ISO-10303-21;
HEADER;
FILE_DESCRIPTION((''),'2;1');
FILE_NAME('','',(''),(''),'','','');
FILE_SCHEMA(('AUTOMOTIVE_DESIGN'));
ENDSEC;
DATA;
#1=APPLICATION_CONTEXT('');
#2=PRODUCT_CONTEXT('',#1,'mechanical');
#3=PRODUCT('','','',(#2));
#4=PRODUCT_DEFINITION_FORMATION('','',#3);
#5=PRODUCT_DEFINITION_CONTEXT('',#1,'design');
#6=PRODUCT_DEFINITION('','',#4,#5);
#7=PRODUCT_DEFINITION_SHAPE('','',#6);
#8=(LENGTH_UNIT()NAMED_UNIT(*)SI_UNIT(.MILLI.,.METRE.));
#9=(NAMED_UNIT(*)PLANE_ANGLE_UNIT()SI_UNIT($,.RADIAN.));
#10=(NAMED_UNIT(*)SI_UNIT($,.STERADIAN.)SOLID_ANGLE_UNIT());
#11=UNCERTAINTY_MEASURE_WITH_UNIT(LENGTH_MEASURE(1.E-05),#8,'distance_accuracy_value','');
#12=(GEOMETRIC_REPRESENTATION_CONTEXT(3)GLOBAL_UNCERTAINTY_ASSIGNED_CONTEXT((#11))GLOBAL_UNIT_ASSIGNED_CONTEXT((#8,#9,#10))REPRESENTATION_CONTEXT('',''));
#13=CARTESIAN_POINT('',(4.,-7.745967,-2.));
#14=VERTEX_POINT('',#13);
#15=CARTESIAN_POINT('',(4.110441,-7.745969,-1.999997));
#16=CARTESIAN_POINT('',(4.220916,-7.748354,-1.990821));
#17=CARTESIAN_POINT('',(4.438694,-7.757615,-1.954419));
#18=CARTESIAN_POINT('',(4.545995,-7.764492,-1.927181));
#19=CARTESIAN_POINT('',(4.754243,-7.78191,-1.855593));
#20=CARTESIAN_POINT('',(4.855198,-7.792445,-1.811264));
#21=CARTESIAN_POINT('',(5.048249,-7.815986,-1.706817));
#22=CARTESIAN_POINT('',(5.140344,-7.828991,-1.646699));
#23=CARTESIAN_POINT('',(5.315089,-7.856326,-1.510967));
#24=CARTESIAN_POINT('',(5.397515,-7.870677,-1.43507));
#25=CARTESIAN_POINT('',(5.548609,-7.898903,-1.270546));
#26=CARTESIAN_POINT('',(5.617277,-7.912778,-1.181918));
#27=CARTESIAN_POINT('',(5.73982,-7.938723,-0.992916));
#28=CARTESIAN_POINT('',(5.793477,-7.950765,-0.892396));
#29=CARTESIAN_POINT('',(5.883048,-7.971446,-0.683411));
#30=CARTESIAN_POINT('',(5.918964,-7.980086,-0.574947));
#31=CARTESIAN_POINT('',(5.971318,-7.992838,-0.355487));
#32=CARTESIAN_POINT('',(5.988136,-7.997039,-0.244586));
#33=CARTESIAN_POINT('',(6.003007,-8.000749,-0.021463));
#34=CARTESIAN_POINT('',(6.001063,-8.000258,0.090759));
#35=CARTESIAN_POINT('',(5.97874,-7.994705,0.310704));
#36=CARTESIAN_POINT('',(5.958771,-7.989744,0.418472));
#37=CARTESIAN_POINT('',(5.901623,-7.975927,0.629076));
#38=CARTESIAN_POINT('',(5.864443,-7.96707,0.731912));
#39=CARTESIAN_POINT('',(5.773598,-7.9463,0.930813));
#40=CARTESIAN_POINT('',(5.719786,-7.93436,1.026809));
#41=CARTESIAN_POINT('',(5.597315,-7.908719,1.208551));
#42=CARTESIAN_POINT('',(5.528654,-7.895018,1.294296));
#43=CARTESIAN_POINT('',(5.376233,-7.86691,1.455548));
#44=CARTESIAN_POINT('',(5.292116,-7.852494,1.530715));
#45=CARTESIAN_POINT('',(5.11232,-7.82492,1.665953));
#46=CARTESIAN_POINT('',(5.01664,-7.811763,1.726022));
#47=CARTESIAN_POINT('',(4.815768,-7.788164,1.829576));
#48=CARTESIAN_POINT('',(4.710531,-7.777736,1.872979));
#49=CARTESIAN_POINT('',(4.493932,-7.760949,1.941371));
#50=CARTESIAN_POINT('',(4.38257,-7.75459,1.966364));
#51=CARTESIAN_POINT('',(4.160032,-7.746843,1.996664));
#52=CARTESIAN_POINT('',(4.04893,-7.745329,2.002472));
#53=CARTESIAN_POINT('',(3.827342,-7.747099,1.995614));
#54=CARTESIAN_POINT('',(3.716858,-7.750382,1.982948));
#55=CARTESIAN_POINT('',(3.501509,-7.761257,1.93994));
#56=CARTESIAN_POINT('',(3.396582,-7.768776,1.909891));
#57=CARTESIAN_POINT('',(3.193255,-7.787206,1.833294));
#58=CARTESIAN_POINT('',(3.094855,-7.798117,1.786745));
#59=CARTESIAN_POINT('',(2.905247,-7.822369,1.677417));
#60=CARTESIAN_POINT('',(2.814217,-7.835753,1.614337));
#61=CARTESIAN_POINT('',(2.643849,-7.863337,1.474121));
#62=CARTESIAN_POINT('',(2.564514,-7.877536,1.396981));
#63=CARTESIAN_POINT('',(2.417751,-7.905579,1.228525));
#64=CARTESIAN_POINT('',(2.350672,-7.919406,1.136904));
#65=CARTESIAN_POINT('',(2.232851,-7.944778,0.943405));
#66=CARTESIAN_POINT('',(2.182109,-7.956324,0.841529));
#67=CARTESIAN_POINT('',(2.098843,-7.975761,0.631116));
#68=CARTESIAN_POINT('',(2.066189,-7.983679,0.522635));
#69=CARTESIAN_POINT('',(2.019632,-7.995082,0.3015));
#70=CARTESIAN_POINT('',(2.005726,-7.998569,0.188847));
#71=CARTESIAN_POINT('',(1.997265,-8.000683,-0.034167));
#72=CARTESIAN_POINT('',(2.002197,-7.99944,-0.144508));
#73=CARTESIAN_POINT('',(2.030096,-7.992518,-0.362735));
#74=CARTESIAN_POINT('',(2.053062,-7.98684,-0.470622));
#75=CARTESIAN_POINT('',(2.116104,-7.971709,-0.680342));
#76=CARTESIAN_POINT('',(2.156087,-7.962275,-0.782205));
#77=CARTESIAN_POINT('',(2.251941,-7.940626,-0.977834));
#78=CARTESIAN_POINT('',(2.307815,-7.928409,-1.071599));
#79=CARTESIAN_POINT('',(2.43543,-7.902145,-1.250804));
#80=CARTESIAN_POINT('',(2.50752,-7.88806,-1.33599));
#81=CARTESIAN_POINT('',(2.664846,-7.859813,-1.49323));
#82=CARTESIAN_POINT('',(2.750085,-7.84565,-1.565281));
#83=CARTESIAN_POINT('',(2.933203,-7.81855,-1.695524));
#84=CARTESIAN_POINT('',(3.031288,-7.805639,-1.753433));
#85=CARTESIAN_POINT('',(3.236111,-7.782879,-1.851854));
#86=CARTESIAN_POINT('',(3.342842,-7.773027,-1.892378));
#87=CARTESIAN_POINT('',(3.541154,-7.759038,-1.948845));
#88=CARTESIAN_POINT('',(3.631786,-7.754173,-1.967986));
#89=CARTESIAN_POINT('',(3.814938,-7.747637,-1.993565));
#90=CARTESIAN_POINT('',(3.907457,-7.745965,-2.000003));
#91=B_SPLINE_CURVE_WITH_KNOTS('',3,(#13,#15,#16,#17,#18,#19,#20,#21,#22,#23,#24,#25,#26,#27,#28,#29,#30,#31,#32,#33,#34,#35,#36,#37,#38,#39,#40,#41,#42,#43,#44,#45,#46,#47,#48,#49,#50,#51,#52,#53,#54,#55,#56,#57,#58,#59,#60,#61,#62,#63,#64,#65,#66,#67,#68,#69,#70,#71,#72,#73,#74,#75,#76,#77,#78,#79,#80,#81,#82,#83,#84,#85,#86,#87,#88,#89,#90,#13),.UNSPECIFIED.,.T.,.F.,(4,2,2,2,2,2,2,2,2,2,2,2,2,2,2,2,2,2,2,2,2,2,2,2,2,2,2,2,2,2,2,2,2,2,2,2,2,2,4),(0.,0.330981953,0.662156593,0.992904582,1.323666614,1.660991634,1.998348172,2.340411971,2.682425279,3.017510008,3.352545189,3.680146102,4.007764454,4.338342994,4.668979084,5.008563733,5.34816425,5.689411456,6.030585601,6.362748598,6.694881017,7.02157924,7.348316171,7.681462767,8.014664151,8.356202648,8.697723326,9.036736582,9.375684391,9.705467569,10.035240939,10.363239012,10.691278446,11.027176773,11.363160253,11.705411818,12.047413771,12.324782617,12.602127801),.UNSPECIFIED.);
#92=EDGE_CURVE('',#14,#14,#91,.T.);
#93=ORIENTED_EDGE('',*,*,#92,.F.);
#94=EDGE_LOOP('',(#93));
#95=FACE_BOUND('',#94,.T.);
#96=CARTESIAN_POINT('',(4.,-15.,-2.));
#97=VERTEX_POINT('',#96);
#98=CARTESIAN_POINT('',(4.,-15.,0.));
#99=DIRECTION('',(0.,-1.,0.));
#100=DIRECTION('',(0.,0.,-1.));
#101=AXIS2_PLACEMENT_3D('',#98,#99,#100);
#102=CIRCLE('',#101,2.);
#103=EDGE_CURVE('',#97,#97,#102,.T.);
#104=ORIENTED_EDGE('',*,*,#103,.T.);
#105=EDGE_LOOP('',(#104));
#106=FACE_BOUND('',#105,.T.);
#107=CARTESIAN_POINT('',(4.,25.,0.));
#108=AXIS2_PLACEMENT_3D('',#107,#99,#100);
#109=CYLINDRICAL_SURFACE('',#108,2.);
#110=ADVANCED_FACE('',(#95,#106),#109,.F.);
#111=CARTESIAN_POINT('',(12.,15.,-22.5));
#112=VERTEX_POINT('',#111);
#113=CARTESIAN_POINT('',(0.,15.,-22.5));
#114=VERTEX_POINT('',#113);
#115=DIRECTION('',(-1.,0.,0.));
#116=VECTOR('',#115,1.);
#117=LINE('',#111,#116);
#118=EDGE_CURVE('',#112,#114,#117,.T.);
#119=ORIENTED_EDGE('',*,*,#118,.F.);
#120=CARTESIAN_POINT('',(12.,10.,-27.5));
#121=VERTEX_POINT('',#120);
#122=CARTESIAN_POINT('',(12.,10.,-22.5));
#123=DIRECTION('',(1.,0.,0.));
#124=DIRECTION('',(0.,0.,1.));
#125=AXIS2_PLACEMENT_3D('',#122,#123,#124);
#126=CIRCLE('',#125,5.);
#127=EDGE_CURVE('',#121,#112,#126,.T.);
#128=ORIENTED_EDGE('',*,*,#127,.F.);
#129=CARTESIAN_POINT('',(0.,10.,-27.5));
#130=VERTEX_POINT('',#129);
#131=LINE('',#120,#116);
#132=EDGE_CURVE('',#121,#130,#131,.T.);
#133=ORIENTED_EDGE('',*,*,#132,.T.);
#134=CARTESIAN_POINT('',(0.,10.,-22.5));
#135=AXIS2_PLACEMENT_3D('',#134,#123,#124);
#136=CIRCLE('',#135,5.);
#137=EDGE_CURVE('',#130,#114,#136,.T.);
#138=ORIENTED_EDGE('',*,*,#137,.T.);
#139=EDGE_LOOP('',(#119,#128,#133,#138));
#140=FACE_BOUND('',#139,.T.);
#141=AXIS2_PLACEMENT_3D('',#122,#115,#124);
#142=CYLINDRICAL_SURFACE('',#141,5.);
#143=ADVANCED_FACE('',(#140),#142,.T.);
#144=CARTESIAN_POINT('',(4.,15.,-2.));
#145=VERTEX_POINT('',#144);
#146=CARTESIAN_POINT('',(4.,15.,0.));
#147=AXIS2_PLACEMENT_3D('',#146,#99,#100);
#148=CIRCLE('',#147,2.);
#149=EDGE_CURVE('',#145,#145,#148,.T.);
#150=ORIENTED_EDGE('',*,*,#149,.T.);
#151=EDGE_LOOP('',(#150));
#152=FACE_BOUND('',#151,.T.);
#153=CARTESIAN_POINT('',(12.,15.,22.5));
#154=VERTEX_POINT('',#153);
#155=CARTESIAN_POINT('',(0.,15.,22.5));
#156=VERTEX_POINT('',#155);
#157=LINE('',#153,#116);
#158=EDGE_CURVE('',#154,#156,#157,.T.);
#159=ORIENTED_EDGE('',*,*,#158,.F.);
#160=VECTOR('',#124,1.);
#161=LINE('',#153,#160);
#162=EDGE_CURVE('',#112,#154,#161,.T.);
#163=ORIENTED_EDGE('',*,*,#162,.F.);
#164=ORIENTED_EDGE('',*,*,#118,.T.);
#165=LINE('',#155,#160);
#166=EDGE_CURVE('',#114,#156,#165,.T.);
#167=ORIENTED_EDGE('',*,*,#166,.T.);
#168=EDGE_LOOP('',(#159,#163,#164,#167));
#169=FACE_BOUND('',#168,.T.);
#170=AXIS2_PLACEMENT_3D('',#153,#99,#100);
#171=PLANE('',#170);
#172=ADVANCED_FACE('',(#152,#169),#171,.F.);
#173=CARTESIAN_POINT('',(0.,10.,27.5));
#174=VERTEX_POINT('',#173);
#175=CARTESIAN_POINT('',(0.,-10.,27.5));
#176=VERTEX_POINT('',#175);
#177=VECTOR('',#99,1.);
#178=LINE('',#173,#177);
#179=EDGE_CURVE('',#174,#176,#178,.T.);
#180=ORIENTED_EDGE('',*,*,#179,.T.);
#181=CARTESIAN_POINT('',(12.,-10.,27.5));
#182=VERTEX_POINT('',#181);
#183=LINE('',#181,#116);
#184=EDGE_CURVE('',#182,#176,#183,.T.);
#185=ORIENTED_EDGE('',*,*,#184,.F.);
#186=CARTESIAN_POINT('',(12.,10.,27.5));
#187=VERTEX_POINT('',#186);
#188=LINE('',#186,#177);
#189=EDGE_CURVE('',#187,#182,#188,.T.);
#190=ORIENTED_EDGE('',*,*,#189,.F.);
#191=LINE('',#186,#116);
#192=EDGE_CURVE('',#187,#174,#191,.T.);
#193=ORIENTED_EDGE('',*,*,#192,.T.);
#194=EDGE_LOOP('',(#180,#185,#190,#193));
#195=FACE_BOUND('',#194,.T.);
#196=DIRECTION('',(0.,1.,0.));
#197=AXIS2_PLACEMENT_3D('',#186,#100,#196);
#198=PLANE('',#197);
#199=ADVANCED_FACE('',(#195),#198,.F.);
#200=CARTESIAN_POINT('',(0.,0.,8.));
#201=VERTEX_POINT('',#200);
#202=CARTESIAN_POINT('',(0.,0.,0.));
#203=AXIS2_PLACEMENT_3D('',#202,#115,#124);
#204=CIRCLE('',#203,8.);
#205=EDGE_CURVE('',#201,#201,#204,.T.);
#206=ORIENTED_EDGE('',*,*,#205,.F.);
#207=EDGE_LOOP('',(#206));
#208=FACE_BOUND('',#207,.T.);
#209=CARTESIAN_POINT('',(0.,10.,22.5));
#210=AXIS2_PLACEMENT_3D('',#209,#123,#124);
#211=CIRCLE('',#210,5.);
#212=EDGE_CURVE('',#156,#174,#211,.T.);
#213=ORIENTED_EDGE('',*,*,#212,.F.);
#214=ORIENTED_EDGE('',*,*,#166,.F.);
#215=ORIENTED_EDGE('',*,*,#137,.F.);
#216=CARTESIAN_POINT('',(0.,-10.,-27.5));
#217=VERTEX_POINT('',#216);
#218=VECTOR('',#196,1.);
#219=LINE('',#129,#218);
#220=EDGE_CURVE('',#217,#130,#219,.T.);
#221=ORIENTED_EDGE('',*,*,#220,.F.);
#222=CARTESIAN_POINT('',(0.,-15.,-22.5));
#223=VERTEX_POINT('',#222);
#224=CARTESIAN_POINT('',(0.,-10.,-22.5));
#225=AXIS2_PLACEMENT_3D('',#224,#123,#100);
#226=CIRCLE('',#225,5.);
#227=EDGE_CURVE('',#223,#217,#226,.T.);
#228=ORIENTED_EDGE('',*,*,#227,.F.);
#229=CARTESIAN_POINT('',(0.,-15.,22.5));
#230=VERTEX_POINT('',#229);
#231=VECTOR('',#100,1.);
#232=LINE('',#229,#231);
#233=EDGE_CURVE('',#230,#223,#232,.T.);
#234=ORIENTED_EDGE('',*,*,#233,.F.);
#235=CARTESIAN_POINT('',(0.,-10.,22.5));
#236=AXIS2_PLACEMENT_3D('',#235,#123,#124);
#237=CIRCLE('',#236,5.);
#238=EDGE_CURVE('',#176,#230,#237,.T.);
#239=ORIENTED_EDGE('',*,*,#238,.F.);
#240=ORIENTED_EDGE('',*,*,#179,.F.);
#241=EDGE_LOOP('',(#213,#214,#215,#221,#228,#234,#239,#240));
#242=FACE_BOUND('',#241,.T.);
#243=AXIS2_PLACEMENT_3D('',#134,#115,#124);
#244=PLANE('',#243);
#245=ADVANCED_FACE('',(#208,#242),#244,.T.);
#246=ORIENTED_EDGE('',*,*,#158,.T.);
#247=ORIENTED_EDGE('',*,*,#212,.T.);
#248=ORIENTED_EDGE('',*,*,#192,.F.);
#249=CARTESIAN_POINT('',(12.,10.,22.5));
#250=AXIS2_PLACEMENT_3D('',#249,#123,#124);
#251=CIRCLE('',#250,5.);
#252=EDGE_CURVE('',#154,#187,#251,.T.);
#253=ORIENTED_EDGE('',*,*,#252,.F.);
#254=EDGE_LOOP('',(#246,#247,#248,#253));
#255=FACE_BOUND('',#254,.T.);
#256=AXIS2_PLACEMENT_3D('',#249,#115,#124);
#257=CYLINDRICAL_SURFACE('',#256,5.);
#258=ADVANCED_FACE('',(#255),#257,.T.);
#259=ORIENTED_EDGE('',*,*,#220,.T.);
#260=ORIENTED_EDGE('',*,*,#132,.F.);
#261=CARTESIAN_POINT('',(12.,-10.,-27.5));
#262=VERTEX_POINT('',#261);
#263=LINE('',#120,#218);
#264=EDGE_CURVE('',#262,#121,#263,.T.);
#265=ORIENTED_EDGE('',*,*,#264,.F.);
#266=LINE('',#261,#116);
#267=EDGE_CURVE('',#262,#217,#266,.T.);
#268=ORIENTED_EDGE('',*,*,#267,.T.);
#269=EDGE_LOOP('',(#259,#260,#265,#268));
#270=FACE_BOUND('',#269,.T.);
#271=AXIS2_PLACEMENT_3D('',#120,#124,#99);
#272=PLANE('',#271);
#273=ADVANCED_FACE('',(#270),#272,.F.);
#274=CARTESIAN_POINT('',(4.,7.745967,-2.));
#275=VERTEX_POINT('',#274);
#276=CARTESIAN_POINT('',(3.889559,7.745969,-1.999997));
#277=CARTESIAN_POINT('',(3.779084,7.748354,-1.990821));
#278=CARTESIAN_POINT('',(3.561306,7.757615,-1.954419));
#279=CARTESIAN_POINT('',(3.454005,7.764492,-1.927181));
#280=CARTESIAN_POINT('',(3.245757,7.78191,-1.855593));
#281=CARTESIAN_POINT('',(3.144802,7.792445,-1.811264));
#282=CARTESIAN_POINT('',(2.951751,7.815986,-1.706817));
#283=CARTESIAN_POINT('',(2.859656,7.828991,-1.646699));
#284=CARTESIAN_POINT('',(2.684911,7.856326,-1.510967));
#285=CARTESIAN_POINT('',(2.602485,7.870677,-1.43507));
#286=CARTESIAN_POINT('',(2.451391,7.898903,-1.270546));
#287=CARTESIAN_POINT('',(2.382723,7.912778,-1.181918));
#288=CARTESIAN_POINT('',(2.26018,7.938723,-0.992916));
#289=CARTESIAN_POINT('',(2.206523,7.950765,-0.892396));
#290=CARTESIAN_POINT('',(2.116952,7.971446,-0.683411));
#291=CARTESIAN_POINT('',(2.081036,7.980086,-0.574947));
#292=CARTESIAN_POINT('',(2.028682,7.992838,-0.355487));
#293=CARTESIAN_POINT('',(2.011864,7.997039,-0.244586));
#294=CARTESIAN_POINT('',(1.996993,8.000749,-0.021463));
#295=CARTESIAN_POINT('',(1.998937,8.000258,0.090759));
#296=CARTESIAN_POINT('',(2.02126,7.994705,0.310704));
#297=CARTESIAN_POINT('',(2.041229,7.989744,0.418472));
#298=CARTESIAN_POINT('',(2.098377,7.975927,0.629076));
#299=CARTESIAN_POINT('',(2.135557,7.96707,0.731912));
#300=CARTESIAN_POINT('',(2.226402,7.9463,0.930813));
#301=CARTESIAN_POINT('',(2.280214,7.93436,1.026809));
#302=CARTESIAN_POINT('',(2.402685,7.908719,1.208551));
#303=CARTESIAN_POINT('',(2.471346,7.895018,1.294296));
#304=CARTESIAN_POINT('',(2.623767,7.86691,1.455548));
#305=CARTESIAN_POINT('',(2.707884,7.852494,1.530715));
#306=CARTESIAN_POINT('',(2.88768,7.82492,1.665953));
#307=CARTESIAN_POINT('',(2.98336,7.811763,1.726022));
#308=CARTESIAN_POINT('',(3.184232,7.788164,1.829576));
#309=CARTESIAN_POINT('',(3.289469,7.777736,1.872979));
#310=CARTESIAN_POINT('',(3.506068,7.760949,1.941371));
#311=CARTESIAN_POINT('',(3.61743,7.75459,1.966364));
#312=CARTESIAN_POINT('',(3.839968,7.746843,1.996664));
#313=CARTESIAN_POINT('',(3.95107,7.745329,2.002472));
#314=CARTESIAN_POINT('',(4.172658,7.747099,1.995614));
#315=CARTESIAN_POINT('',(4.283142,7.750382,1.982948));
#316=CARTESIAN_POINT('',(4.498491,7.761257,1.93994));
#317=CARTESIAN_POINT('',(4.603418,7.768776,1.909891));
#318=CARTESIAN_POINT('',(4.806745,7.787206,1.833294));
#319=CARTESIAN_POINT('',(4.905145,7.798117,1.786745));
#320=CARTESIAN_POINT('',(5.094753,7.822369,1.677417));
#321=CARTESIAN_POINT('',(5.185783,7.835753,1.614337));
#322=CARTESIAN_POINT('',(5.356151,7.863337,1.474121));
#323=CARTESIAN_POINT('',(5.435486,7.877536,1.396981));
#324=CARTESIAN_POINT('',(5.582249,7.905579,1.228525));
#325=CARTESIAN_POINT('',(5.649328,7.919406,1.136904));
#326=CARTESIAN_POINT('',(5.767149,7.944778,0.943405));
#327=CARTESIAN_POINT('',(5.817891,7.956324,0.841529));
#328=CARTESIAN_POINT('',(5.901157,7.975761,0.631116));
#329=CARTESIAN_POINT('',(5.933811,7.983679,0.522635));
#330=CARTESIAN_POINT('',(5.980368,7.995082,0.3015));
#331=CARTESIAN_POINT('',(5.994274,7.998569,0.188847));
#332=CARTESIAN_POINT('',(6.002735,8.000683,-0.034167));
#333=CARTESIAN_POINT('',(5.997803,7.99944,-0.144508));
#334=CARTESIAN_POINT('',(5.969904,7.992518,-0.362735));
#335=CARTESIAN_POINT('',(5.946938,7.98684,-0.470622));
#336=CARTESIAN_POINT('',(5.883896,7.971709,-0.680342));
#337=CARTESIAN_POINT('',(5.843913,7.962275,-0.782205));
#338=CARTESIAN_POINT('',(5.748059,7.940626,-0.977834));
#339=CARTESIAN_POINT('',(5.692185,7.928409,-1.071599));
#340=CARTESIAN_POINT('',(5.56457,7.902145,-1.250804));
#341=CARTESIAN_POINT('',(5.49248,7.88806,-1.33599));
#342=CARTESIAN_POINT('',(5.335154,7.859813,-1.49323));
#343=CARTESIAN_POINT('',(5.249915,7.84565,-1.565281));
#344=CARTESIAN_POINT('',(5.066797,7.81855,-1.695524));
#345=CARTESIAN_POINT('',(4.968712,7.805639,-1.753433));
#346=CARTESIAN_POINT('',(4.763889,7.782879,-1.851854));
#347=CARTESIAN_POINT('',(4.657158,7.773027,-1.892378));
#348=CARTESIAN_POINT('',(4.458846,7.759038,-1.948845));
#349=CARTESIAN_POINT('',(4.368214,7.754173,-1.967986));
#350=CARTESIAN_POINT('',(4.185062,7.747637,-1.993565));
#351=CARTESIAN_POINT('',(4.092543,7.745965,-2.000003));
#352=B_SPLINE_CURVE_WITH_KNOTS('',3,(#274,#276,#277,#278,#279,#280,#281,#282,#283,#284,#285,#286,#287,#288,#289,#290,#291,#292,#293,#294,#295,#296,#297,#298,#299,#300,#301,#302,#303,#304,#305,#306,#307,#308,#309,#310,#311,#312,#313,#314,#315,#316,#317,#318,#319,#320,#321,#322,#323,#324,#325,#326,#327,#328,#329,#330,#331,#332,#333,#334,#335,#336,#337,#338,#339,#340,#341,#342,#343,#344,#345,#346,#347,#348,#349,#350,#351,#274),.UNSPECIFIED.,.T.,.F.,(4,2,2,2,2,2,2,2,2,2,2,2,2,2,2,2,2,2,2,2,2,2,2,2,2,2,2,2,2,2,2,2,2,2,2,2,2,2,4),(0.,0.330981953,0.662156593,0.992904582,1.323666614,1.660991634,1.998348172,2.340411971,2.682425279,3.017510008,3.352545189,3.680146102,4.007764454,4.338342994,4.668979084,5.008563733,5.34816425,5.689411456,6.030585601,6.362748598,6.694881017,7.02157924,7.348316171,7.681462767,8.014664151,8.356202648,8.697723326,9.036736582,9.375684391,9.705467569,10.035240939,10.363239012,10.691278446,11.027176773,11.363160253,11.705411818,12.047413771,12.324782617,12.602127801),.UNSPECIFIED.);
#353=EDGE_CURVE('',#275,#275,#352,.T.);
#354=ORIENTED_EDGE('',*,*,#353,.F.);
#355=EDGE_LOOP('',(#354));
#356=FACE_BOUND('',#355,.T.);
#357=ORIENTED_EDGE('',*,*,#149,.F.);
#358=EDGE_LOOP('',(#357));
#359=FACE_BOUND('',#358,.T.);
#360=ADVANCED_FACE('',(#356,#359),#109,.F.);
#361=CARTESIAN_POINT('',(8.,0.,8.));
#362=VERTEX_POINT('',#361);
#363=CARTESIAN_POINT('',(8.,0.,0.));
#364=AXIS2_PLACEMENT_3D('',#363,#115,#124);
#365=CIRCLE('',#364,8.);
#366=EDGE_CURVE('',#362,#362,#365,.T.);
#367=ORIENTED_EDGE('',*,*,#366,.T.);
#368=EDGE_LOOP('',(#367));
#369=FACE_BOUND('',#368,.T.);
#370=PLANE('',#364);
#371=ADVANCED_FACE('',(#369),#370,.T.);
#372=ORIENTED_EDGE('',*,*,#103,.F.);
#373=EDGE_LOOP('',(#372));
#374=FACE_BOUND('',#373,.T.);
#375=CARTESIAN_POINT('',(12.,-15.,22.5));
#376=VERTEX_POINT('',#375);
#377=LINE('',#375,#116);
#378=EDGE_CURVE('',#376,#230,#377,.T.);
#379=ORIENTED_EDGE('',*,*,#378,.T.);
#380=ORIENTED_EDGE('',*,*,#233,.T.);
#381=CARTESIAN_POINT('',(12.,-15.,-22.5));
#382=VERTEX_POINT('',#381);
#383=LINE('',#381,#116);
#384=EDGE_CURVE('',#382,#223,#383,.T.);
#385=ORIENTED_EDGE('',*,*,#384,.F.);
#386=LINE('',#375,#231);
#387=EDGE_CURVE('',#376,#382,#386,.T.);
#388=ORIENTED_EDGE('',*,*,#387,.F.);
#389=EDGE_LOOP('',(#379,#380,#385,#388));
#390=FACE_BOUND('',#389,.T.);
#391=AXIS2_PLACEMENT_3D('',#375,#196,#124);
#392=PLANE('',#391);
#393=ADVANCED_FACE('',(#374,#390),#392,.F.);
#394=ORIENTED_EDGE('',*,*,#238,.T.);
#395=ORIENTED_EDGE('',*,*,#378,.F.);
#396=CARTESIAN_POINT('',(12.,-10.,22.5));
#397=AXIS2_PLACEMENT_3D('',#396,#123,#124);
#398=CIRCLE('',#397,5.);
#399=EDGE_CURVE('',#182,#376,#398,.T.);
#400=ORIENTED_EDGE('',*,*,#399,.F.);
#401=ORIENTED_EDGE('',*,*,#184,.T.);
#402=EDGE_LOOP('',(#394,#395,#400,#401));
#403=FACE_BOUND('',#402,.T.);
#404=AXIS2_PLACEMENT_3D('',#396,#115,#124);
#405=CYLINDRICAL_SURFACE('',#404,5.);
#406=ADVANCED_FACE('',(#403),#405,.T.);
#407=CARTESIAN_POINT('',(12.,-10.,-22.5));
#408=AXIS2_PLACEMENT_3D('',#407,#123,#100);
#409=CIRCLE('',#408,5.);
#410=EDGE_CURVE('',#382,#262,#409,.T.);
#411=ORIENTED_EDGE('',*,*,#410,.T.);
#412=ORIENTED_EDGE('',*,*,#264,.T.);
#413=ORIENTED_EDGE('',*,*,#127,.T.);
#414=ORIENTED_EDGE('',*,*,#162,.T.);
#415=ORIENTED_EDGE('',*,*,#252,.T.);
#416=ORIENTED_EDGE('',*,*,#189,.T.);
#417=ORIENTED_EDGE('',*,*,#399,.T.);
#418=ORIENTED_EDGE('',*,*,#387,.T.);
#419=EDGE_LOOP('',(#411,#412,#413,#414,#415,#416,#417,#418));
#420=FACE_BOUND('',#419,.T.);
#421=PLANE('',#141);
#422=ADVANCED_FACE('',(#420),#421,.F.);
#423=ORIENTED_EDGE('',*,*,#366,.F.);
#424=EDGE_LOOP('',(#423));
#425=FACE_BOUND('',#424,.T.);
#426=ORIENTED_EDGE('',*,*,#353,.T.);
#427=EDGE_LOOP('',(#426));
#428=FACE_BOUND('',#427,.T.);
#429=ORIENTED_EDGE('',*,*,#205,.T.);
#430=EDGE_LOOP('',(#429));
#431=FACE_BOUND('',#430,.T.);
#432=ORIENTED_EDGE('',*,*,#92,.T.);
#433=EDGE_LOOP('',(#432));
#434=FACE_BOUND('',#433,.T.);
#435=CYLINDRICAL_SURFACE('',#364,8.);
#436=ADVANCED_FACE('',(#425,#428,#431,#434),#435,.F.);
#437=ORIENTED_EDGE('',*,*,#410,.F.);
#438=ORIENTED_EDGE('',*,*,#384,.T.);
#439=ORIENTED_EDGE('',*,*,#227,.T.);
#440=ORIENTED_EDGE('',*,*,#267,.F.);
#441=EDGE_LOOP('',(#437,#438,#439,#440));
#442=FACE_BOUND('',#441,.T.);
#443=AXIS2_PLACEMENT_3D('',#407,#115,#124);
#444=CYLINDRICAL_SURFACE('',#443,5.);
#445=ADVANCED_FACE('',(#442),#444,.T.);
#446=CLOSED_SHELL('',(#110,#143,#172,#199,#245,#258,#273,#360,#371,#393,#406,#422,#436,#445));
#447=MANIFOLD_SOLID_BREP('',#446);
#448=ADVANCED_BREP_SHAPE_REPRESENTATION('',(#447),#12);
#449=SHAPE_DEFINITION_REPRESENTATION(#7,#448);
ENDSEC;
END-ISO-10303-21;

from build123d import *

# Parameters (mm, degrees)
EXTRUDE_1_DEPTH     = 12
SKETCH_2_R          = 8
CUT_EXTRUDE_1_DEPTH = 8
SKETCH_3_R          = 2
CUT_EXTRUDE_2_DEPTH = 40


with BuildPart() as part:
    # 草图1 → 凸台-拉伸1 (new body)
    with BuildSketch(Plane(origin=(0, 0, 0), x_dir=(0, 0, -1), z_dir=(1, 0, 0))):
        with BuildLine():
            Line((-22.5, 15), (22.5, 15))
            ThreePointArc((22.5, 15), (26.035533906, 13.535533906), (27.5, 10))
            Line((27.5, 10), (27.5, -10))
            ThreePointArc((27.5, -10), (26.035533906, -13.535533906), (22.5, -15))
            Line((22.5, -15), (-22.5, -15))
            ThreePointArc((-22.5, -15), (-26.035533906, -13.535533906), (-27.5, -10))
            Line((-27.5, -10), (-27.5, 10))
            ThreePointArc((-27.5, 10), (-26.035533906, 13.535533906), (-22.5, 15))
        make_face()
    extrude(amount=EXTRUDE_1_DEPTH)

    # 草图2 → 切除-拉伸1 (cut)
    with BuildSketch(Plane.ZY):
        Circle(SKETCH_2_R)
    extrude(amount=-CUT_EXTRUDE_1_DEPTH, mode=Mode.SUBTRACT)

    # 草图3 → 切除-拉伸2 (cut)
    with BuildSketch(Plane.XZ.offset(15)):
        with Locations((4, 0)):
            Circle(SKETCH_3_R)
    extrude(amount=-CUT_EXTRUDE_2_DEPTH, mode=Mode.SUBTRACT)


solid = part.part
